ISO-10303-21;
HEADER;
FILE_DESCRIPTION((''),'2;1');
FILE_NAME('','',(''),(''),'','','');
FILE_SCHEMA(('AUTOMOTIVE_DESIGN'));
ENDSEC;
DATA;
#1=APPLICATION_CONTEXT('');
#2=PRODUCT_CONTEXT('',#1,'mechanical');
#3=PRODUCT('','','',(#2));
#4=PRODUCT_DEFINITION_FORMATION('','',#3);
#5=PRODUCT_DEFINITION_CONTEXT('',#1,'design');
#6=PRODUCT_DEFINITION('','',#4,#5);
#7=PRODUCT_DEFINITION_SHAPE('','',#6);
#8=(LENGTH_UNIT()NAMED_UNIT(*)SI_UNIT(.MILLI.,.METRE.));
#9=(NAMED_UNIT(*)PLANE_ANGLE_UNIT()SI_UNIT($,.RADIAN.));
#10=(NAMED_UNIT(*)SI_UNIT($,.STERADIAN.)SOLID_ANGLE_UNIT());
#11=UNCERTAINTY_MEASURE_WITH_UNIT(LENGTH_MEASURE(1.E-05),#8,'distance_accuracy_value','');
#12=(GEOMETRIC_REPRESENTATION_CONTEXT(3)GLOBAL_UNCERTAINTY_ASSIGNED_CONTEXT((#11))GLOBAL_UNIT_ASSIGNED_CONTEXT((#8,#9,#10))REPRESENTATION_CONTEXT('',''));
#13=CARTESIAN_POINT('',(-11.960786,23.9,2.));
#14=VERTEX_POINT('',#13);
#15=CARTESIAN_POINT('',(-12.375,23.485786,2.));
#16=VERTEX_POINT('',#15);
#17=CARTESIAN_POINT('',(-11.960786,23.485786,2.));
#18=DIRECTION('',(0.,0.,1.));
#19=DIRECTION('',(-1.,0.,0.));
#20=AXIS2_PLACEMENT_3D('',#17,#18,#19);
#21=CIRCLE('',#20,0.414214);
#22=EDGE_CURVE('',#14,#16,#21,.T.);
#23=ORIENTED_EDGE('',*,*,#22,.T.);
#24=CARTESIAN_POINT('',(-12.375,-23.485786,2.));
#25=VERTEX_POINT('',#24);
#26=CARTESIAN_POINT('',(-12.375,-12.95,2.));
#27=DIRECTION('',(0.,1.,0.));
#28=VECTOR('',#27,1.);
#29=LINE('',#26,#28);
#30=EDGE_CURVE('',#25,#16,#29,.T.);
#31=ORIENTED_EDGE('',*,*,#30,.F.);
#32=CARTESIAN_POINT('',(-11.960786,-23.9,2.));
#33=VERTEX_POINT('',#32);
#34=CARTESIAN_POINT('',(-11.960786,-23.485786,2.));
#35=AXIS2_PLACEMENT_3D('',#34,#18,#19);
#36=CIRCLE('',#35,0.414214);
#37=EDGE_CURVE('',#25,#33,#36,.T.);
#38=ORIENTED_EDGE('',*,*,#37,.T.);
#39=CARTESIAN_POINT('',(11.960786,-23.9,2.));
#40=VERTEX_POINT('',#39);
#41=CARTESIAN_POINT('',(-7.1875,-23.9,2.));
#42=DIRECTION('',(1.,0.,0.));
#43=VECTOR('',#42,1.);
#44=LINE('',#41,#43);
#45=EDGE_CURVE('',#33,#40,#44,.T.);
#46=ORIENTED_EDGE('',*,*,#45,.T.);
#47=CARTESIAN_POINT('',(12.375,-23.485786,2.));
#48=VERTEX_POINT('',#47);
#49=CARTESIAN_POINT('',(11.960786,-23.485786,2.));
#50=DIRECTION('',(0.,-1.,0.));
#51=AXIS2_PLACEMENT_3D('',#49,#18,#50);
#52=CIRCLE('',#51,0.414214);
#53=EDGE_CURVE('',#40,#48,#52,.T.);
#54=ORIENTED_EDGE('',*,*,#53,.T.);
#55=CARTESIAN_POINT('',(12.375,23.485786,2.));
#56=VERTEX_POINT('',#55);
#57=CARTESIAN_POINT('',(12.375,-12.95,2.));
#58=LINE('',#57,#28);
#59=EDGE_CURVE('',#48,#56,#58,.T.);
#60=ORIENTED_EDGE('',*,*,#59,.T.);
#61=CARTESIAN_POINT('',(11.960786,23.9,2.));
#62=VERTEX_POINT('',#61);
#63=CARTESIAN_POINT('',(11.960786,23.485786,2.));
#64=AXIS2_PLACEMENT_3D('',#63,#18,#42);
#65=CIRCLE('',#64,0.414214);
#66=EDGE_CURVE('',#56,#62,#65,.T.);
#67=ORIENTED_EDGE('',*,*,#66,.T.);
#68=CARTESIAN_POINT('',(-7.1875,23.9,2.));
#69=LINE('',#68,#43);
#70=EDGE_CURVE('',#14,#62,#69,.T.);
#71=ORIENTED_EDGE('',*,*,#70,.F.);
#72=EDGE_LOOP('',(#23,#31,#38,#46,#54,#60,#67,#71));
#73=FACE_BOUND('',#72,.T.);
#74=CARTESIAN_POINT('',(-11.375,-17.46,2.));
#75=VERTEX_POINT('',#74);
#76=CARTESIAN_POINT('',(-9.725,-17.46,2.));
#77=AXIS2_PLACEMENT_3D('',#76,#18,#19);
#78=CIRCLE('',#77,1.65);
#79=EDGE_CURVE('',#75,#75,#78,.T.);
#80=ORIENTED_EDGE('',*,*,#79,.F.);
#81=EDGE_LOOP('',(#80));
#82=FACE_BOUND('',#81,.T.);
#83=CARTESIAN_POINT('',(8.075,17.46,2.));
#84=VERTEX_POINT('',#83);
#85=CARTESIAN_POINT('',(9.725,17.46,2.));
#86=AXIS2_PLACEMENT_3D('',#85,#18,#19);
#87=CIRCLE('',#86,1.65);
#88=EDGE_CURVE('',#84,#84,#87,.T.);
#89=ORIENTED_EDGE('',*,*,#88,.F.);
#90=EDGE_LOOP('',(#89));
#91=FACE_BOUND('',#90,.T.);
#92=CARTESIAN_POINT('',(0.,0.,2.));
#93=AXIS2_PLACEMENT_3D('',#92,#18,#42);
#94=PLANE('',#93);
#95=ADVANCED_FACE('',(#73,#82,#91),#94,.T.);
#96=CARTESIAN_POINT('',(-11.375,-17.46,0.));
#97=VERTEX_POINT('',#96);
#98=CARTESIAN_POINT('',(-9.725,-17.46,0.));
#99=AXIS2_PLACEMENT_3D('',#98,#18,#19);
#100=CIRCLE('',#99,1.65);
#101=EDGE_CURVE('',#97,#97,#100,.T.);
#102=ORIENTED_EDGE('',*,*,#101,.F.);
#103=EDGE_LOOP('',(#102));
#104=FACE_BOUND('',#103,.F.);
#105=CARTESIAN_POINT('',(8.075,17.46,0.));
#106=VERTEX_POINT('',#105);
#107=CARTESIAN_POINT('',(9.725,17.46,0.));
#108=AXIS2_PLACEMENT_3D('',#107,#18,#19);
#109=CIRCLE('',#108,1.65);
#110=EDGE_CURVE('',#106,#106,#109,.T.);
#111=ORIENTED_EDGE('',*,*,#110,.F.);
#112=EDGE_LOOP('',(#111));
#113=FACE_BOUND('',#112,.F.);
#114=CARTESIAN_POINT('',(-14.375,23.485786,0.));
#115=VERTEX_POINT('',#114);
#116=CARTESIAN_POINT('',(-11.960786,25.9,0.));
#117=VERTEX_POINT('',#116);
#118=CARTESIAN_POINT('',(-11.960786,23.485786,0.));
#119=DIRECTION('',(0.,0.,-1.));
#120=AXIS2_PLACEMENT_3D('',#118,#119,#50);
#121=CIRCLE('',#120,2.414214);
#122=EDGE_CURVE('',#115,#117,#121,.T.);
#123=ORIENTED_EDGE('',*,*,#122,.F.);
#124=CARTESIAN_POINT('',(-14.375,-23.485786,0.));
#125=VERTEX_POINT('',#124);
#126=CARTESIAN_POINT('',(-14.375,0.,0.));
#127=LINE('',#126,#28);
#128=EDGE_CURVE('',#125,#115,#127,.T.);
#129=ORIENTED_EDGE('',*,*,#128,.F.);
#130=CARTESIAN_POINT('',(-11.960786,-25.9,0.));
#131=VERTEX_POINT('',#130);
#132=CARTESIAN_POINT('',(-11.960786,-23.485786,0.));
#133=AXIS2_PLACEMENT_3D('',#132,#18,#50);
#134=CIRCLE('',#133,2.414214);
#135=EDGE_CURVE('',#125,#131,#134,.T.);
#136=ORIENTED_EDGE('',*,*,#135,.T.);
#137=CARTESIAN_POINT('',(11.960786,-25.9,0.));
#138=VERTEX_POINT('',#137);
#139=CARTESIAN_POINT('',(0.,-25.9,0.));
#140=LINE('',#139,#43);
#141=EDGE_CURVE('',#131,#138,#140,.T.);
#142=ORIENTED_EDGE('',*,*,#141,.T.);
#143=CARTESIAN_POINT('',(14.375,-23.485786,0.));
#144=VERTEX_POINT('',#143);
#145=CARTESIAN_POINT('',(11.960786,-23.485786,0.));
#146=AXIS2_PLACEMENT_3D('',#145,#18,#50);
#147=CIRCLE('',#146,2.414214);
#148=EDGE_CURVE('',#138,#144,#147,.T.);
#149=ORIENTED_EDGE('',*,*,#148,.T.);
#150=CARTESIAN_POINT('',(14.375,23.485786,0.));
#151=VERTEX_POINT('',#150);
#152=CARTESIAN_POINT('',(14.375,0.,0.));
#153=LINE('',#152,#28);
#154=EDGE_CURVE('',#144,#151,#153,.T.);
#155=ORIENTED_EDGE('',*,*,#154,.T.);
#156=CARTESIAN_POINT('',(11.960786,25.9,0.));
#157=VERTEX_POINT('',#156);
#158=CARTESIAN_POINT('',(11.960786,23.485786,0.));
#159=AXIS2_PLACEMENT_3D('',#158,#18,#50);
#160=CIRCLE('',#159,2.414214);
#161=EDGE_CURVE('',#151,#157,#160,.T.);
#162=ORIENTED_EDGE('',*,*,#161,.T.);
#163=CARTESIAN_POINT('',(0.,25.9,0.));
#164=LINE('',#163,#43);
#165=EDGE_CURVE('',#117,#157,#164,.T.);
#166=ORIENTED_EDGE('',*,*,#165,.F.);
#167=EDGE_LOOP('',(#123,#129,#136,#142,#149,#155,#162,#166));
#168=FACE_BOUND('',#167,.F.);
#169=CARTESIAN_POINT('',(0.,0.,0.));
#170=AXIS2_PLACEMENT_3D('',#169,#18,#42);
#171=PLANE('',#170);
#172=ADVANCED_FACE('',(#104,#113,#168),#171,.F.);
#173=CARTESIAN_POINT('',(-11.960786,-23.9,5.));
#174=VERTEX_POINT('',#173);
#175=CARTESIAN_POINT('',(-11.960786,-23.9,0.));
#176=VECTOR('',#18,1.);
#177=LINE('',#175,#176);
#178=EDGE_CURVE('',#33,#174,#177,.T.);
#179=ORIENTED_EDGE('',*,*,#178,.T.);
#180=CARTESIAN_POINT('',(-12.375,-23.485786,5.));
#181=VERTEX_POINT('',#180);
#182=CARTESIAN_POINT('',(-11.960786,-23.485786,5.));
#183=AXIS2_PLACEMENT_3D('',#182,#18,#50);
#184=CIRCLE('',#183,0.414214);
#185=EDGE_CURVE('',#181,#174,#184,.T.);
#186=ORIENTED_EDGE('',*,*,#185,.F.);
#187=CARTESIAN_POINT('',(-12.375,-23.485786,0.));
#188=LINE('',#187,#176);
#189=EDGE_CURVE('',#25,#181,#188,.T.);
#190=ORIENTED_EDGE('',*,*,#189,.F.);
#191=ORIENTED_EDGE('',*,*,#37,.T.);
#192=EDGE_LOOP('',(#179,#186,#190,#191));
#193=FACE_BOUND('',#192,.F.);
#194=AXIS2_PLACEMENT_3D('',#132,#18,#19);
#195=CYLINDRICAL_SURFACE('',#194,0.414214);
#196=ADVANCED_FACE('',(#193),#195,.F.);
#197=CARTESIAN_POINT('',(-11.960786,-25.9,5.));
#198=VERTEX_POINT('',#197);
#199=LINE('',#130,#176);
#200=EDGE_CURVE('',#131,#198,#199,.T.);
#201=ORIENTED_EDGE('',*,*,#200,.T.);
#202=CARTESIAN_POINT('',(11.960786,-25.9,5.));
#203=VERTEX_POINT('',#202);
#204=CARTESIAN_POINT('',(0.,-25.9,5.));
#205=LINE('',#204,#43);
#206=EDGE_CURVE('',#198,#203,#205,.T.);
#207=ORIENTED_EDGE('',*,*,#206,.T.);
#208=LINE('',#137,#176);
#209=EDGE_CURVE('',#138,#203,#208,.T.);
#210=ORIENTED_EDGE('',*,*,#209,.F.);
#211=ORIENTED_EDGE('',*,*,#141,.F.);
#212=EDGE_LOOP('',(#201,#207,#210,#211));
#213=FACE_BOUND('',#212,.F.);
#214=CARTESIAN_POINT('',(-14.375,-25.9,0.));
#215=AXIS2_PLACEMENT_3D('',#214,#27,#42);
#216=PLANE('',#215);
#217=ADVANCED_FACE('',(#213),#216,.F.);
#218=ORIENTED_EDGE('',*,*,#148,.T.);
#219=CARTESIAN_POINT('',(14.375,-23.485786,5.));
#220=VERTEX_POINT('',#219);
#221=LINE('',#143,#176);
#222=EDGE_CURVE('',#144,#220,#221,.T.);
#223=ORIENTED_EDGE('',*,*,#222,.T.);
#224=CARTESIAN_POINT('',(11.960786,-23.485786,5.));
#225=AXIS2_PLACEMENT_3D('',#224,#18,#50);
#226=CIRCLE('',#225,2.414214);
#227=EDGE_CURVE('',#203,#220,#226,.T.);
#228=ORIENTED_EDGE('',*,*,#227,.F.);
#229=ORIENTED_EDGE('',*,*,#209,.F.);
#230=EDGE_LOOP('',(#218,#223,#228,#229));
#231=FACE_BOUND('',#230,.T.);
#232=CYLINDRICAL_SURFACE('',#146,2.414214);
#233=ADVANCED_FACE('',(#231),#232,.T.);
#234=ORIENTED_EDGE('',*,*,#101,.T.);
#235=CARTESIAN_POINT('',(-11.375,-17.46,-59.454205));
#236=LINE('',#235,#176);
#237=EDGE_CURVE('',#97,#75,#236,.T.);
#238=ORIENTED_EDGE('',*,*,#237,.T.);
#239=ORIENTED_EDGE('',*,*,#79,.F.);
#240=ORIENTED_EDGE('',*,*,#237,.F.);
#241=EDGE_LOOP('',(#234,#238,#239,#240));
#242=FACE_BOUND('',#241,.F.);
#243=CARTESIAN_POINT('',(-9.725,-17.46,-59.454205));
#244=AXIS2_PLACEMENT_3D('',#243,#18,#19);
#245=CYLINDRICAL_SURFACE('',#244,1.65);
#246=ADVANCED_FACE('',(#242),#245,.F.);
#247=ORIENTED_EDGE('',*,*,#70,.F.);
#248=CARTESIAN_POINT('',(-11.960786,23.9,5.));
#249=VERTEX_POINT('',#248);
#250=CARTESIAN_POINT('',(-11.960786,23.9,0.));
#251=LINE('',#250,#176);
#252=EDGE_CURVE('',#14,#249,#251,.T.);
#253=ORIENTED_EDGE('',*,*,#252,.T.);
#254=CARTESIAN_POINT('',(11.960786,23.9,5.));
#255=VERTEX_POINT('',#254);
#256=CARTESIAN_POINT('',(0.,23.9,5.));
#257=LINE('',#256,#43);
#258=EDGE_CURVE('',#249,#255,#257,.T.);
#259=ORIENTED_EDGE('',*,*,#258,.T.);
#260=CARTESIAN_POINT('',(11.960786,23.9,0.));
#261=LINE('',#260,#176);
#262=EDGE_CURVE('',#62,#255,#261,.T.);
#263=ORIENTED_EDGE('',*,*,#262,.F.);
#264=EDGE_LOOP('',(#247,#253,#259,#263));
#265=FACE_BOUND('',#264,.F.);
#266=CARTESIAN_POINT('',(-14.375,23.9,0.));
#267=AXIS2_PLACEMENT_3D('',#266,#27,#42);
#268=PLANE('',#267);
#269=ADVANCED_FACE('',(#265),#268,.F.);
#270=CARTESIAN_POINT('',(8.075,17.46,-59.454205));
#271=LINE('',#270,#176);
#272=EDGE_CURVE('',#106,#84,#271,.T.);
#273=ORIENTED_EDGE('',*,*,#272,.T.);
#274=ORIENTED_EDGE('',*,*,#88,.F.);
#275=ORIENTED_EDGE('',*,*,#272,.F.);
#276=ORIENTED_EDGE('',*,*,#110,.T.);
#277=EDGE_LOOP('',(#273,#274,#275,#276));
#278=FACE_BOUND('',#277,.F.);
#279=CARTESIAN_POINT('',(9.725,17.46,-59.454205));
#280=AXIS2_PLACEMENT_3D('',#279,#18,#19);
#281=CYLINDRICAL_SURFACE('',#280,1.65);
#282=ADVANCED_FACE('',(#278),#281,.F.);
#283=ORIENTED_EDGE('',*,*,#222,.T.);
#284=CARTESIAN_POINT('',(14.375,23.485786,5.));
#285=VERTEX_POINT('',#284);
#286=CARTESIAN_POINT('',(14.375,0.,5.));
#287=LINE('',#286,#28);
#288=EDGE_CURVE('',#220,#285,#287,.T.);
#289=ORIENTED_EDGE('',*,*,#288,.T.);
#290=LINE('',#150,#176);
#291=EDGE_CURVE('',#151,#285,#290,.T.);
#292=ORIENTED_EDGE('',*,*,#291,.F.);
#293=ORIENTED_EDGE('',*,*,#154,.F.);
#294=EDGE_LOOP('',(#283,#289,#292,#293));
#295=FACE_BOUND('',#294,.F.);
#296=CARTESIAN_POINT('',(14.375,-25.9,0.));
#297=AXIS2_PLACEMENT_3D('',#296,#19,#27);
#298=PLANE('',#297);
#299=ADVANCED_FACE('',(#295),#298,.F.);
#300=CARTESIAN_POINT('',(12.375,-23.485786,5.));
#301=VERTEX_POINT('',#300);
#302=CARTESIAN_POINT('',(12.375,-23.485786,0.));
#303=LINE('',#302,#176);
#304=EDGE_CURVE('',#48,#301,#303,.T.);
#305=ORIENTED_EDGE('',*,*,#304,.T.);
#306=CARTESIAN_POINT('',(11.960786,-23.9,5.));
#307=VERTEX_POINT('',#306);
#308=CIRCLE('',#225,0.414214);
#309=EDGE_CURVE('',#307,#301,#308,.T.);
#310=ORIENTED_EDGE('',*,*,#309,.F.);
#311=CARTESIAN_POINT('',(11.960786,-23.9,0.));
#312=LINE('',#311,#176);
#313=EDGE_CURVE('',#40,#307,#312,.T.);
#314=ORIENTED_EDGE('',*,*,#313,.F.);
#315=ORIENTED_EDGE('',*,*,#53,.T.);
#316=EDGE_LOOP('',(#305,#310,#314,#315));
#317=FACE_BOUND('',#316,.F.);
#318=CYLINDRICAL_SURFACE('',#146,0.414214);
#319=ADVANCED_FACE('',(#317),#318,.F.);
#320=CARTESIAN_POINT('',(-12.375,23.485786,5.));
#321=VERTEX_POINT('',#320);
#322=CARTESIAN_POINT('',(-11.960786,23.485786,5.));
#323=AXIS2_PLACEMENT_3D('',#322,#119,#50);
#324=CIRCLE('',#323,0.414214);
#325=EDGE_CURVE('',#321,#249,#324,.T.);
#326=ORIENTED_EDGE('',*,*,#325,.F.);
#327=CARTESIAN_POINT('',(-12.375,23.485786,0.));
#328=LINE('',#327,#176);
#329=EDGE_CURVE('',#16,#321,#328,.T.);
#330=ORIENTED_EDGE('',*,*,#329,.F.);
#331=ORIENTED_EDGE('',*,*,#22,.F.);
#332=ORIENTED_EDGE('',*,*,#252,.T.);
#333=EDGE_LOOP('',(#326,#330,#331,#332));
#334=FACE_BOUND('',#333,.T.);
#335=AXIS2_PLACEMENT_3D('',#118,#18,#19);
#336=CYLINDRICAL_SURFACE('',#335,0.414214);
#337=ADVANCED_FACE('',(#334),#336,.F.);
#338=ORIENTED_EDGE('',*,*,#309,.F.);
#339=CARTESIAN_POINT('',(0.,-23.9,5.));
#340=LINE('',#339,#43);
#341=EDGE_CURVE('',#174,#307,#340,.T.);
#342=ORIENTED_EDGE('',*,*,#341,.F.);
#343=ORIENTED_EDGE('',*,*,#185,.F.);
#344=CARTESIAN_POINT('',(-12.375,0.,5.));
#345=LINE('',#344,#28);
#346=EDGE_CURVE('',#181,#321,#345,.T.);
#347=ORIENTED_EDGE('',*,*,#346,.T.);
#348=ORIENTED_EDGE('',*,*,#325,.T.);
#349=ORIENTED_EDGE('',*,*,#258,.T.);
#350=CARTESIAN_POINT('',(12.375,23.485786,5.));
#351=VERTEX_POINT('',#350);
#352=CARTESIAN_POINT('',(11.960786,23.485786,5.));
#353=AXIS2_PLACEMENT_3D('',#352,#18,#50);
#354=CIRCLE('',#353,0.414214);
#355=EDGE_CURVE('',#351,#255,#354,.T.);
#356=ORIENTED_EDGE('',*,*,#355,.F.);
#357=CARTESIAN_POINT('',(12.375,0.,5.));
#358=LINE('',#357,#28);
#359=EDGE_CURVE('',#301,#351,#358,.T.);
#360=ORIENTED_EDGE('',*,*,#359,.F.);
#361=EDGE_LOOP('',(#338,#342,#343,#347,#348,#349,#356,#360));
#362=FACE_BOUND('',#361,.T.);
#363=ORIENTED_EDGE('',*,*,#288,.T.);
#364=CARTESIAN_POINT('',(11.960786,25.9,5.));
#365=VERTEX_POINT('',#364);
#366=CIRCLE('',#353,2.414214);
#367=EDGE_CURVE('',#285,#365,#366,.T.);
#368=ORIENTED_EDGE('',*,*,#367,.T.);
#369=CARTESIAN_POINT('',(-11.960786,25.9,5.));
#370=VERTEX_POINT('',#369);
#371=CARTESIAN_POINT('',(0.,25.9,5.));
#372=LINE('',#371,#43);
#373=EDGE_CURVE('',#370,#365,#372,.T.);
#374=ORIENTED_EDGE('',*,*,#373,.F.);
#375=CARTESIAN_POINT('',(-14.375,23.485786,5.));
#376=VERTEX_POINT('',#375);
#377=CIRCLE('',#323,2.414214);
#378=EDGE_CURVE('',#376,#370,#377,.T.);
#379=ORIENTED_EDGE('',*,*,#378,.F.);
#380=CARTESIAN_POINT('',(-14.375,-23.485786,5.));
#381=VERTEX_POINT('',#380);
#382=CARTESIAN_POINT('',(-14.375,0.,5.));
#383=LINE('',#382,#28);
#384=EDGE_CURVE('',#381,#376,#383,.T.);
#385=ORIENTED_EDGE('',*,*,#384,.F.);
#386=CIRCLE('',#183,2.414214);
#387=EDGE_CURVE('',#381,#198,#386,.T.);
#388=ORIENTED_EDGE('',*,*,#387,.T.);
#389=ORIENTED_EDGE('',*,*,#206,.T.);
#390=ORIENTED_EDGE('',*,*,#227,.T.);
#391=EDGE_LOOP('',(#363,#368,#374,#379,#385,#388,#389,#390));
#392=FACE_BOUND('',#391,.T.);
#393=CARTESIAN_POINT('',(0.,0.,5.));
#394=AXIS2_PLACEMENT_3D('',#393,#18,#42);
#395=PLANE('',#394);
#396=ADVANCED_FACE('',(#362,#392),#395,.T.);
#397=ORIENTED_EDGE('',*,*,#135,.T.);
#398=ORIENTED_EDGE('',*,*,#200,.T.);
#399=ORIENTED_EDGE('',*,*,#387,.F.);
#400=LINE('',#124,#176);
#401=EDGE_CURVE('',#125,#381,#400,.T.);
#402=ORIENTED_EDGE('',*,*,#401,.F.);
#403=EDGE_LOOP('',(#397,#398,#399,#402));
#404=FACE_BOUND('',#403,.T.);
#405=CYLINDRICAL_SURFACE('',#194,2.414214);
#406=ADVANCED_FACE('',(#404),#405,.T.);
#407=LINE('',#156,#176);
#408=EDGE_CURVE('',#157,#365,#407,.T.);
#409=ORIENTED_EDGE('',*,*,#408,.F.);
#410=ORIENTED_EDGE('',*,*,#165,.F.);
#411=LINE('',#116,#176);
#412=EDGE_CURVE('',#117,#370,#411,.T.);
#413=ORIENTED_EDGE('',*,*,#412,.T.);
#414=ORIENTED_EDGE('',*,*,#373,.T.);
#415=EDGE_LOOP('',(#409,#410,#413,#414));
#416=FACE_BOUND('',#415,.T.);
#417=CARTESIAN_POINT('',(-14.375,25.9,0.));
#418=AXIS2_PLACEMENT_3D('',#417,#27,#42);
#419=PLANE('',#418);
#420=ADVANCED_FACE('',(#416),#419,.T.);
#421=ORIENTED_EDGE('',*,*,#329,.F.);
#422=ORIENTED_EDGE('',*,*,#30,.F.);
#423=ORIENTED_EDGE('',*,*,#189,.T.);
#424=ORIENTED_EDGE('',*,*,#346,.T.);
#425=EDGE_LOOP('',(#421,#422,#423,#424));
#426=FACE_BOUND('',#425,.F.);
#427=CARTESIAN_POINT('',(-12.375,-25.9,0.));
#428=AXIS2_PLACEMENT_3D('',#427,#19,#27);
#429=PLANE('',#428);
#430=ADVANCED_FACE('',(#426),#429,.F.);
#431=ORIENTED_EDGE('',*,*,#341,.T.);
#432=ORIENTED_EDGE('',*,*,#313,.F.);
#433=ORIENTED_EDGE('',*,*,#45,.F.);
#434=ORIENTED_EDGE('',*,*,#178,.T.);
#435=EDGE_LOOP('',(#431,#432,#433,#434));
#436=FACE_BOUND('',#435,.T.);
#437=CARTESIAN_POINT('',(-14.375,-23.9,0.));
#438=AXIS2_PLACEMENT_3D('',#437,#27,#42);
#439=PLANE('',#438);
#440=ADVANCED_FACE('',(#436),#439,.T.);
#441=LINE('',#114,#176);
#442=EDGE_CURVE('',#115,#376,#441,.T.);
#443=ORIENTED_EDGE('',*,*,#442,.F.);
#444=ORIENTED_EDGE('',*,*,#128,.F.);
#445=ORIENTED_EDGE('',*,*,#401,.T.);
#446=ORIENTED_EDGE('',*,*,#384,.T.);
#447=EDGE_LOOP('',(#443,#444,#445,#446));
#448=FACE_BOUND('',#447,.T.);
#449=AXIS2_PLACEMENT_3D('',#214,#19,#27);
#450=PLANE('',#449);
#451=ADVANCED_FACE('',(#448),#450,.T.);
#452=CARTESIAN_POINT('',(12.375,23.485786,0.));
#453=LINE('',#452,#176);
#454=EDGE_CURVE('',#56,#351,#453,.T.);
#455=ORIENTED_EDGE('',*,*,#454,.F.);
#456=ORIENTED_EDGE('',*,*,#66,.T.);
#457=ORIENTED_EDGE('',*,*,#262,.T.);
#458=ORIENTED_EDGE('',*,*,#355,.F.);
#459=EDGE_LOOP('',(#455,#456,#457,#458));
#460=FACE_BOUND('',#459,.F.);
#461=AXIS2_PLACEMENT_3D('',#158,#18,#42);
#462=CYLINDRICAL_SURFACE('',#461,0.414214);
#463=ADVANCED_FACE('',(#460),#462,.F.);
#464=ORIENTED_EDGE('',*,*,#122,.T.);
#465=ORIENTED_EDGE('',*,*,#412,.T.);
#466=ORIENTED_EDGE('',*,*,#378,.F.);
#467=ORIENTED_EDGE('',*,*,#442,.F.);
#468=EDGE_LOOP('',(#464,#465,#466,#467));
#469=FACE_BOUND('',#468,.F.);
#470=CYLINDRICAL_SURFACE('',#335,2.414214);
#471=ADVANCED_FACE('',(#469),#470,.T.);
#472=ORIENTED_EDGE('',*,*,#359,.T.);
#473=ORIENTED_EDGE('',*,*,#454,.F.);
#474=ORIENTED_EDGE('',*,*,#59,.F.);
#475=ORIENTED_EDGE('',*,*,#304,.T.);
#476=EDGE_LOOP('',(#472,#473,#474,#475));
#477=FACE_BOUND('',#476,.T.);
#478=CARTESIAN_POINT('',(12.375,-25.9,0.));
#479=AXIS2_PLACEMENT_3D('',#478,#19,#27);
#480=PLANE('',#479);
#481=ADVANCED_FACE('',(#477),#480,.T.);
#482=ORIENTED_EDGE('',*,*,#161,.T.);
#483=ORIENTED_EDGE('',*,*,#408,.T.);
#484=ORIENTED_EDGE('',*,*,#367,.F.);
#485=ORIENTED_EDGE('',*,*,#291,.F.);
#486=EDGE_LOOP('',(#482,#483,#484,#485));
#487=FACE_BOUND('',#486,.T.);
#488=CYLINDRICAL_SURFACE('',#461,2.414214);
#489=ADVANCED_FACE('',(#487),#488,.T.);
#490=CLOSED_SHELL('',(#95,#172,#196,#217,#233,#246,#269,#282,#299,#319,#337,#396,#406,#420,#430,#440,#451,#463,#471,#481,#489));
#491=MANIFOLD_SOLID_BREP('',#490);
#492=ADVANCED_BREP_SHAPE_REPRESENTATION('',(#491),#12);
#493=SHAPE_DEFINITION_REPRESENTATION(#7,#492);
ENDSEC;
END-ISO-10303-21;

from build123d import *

# Parameters (mm, degrees)
F0_W     = 28.75
F0_H     = 51.8
F1_DEPTH = 5
F2_R     = 2.4142135624
F3_T     = -2
F4_D     = 3.3


with BuildPart() as f1:
    # F0 (on Top) → F1 (new body)
    with BuildSketch(Plane.XY):
        Rectangle(F0_W, F0_H)
    extrude(amount=F1_DEPTH)

    # F2
    f2_edges = [f1.edges().sort_by_distance(p)[0] for p in [
        (14.375, -25.9, 2.5),
        (-14.375, -25.9, 2.5),
        (14.375, 25.9, 2.5),
        (-14.375, 25.9, 2.5),
    ]]
    fillet(f2_edges, radius=F2_R)

    # F3
    f3_openings = [f1.faces().sort_by_distance(p)[0] for p in [
        (0, 0, 5),
    ]]
    offset(amount=F3_T, openings=f3_openings)

    # F4 (through all)
    with Locations(Plane(origin=(0, 0, 0), x_dir=(1, 0, 0), z_dir=(0, 0, -1))):
        with Locations((9.725, -17.46), (-9.725, 17.46)):
            Hole(F4_D / 2)


solid = f1.part
